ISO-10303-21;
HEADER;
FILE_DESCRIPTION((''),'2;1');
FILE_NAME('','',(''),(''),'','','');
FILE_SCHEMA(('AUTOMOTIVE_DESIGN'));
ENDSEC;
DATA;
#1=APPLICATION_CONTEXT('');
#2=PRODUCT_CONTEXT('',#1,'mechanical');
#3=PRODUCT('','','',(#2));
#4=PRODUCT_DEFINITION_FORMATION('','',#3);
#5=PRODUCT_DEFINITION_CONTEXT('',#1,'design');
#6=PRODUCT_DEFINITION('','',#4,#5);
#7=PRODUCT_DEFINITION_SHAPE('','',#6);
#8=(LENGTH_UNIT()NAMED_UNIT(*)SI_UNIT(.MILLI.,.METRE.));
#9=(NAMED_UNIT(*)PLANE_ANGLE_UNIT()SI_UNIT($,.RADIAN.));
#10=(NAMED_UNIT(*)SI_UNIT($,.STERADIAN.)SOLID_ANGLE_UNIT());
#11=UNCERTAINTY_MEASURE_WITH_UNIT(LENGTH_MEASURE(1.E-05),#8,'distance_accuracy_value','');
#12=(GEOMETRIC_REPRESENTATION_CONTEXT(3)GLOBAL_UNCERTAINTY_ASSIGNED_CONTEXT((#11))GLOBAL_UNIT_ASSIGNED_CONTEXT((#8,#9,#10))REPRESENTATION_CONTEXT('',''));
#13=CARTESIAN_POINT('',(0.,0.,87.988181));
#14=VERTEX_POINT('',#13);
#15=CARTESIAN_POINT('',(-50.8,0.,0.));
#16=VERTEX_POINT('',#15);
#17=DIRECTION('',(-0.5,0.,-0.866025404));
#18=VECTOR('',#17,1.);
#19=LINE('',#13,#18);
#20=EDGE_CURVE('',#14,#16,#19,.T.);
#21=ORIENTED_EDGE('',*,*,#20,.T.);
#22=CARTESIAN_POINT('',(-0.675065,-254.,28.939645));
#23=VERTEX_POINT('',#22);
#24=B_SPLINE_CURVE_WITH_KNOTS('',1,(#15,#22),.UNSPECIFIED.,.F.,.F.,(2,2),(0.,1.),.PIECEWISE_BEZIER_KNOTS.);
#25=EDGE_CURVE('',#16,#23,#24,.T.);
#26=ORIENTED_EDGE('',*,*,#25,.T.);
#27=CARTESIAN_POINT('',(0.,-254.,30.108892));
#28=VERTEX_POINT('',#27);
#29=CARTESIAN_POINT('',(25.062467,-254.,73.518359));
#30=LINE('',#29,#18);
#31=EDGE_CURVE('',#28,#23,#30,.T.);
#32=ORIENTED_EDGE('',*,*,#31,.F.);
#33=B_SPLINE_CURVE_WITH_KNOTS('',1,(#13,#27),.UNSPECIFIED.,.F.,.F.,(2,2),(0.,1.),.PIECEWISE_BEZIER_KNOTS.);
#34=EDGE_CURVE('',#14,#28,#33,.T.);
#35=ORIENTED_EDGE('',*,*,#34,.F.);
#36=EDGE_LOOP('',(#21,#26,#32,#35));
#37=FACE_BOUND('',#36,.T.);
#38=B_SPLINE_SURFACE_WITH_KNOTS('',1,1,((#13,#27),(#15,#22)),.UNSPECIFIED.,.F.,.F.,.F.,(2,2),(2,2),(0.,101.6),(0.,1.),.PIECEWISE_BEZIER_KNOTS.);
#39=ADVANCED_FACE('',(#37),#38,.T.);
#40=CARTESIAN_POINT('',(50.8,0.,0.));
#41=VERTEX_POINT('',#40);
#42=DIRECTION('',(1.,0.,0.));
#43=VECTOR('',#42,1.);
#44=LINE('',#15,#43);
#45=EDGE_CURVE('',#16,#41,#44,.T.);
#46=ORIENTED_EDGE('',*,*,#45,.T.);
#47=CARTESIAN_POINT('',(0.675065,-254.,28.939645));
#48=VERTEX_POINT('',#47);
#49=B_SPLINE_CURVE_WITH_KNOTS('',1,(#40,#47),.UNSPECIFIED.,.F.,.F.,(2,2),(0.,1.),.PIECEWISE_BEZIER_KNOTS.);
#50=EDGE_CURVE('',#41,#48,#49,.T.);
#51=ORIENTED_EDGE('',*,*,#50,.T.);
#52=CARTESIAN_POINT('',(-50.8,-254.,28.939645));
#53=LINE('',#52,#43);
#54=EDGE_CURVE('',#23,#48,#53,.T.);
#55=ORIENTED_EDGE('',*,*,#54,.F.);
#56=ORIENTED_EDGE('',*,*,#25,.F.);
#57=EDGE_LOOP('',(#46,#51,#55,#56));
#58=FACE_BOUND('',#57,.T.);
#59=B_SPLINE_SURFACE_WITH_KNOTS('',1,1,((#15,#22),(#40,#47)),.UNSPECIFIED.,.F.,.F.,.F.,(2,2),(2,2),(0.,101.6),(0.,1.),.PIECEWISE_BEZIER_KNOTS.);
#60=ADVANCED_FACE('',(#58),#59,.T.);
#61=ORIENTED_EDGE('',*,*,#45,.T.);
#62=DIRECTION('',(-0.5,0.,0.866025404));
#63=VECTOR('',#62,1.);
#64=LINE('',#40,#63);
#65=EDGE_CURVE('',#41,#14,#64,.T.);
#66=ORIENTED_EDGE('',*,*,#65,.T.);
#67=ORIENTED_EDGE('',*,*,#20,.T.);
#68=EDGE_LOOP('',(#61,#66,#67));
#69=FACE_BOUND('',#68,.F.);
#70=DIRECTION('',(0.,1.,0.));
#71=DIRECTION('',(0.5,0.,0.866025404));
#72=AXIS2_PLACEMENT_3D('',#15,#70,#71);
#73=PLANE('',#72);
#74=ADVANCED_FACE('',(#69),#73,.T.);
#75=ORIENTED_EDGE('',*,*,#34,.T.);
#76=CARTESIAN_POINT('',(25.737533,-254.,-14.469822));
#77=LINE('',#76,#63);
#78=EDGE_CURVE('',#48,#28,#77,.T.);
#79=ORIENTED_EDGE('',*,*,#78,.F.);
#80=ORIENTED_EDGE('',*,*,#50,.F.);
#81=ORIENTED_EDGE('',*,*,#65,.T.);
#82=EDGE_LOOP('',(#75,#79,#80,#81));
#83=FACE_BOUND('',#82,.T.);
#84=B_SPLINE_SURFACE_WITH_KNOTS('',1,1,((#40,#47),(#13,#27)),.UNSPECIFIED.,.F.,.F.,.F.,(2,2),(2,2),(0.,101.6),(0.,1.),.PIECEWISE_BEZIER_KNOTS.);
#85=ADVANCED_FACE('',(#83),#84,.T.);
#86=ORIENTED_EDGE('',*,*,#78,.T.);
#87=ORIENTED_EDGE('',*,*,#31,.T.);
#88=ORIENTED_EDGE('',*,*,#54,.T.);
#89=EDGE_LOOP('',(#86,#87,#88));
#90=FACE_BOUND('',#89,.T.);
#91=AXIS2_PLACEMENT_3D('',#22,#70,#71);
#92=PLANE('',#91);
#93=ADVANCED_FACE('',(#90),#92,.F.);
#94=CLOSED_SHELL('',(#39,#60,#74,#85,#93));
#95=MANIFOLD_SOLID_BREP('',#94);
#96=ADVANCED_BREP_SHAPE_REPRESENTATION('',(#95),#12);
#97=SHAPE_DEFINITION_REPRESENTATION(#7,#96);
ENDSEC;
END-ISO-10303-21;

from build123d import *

# Parameters (mm, degrees)
F1_DEPTH = 254
F1_TAPER = 6.5


with BuildPart() as f1:
    # F0 (on Front) → F1 (new body)
    with BuildSketch(Plane.XZ):
        Polygon((-50.8, 0), (0, 0), (50.8, 0), (0, 87.9881810245), align=None)
    extrude(amount=F1_DEPTH, taper=F1_TAPER)


solid = f1.part
